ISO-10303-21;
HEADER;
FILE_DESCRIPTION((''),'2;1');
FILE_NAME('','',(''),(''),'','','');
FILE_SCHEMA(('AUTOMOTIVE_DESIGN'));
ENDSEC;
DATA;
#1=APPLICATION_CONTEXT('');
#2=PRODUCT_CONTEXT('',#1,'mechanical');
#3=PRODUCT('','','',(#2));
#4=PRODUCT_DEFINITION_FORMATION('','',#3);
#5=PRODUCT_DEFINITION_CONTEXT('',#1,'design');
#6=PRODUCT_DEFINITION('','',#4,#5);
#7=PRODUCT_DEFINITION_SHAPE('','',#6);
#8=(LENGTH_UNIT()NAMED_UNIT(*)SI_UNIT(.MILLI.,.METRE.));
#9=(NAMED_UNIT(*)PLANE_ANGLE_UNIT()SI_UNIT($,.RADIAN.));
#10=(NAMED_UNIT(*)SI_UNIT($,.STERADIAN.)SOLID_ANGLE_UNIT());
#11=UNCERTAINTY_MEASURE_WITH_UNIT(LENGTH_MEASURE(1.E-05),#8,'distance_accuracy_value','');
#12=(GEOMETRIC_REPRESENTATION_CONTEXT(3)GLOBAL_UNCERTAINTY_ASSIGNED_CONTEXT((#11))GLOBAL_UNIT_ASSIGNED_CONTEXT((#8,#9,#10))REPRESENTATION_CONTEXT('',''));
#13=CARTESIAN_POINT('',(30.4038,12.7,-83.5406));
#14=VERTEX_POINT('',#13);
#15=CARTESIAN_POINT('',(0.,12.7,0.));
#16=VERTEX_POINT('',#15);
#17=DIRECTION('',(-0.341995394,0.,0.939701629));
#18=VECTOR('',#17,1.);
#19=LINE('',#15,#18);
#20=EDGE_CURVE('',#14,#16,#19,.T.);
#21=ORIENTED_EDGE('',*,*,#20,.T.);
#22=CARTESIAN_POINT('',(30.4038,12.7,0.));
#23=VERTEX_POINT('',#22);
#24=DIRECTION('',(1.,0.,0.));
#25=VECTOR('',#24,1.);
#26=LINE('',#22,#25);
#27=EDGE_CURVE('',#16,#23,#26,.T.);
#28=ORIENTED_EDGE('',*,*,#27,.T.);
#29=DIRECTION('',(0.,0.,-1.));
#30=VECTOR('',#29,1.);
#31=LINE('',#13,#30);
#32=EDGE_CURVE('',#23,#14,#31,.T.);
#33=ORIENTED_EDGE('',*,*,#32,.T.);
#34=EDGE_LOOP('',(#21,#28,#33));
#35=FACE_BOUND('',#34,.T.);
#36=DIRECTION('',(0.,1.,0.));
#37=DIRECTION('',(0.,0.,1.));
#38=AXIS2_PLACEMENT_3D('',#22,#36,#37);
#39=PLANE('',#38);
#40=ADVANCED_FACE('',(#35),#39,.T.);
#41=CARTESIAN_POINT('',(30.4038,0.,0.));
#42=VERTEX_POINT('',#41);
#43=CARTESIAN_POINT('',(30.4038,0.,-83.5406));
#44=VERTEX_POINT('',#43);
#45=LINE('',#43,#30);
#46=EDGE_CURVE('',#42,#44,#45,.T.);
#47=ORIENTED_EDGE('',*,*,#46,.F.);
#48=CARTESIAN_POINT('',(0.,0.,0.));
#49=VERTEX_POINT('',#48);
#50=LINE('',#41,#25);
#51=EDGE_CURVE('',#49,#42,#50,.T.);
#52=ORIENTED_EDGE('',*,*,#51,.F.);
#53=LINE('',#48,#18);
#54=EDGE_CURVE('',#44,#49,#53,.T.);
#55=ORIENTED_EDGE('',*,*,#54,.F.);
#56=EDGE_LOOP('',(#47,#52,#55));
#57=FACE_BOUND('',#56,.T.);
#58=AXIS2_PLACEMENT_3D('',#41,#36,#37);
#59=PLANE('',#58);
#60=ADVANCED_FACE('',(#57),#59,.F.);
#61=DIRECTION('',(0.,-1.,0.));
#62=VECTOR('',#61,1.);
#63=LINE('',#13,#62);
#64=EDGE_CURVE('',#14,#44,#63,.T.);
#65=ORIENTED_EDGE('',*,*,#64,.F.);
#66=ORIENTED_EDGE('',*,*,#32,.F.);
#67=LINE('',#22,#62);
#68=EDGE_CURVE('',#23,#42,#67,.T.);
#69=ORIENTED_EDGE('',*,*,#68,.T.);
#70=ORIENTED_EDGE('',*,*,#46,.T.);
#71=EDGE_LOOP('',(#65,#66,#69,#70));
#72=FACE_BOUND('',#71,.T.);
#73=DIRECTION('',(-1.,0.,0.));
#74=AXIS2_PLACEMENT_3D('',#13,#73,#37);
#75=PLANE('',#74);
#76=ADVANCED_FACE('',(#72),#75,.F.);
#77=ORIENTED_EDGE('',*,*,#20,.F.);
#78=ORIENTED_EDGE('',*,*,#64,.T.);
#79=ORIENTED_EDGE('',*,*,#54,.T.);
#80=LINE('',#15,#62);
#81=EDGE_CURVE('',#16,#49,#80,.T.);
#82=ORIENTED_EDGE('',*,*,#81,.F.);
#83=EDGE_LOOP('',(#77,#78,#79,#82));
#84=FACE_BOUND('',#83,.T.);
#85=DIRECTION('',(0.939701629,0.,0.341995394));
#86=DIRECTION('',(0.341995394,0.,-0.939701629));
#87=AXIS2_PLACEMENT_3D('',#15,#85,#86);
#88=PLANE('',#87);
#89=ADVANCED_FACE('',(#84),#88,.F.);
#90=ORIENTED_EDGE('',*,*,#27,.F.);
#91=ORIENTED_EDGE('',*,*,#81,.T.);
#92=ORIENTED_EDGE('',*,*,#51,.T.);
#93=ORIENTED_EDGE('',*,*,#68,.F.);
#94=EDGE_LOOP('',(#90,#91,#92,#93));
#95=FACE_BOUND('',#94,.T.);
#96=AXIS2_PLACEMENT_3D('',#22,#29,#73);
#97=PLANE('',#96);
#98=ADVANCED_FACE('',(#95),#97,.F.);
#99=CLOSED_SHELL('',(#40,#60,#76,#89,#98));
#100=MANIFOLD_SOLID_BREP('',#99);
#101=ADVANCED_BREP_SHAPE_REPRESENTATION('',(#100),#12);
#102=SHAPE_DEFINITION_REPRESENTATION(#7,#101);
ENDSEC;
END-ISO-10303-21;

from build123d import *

# Parameters (mm, degrees)
BOSS_EXTRUDE1_DEPTH = 12.7


with BuildPart() as part:
    # Sketch1 → Boss-Extrude1 (new body)
    with BuildSketch(Plane(origin=(0, 0, 0), x_dir=(1, 0, 0), z_dir=(0, 1, 0))):
        Polygon((0, 0), (30.4038, 83.5406), (30.4038, 0), align=None)
    extrude(amount=BOSS_EXTRUDE1_DEPTH)


solid = part.part
